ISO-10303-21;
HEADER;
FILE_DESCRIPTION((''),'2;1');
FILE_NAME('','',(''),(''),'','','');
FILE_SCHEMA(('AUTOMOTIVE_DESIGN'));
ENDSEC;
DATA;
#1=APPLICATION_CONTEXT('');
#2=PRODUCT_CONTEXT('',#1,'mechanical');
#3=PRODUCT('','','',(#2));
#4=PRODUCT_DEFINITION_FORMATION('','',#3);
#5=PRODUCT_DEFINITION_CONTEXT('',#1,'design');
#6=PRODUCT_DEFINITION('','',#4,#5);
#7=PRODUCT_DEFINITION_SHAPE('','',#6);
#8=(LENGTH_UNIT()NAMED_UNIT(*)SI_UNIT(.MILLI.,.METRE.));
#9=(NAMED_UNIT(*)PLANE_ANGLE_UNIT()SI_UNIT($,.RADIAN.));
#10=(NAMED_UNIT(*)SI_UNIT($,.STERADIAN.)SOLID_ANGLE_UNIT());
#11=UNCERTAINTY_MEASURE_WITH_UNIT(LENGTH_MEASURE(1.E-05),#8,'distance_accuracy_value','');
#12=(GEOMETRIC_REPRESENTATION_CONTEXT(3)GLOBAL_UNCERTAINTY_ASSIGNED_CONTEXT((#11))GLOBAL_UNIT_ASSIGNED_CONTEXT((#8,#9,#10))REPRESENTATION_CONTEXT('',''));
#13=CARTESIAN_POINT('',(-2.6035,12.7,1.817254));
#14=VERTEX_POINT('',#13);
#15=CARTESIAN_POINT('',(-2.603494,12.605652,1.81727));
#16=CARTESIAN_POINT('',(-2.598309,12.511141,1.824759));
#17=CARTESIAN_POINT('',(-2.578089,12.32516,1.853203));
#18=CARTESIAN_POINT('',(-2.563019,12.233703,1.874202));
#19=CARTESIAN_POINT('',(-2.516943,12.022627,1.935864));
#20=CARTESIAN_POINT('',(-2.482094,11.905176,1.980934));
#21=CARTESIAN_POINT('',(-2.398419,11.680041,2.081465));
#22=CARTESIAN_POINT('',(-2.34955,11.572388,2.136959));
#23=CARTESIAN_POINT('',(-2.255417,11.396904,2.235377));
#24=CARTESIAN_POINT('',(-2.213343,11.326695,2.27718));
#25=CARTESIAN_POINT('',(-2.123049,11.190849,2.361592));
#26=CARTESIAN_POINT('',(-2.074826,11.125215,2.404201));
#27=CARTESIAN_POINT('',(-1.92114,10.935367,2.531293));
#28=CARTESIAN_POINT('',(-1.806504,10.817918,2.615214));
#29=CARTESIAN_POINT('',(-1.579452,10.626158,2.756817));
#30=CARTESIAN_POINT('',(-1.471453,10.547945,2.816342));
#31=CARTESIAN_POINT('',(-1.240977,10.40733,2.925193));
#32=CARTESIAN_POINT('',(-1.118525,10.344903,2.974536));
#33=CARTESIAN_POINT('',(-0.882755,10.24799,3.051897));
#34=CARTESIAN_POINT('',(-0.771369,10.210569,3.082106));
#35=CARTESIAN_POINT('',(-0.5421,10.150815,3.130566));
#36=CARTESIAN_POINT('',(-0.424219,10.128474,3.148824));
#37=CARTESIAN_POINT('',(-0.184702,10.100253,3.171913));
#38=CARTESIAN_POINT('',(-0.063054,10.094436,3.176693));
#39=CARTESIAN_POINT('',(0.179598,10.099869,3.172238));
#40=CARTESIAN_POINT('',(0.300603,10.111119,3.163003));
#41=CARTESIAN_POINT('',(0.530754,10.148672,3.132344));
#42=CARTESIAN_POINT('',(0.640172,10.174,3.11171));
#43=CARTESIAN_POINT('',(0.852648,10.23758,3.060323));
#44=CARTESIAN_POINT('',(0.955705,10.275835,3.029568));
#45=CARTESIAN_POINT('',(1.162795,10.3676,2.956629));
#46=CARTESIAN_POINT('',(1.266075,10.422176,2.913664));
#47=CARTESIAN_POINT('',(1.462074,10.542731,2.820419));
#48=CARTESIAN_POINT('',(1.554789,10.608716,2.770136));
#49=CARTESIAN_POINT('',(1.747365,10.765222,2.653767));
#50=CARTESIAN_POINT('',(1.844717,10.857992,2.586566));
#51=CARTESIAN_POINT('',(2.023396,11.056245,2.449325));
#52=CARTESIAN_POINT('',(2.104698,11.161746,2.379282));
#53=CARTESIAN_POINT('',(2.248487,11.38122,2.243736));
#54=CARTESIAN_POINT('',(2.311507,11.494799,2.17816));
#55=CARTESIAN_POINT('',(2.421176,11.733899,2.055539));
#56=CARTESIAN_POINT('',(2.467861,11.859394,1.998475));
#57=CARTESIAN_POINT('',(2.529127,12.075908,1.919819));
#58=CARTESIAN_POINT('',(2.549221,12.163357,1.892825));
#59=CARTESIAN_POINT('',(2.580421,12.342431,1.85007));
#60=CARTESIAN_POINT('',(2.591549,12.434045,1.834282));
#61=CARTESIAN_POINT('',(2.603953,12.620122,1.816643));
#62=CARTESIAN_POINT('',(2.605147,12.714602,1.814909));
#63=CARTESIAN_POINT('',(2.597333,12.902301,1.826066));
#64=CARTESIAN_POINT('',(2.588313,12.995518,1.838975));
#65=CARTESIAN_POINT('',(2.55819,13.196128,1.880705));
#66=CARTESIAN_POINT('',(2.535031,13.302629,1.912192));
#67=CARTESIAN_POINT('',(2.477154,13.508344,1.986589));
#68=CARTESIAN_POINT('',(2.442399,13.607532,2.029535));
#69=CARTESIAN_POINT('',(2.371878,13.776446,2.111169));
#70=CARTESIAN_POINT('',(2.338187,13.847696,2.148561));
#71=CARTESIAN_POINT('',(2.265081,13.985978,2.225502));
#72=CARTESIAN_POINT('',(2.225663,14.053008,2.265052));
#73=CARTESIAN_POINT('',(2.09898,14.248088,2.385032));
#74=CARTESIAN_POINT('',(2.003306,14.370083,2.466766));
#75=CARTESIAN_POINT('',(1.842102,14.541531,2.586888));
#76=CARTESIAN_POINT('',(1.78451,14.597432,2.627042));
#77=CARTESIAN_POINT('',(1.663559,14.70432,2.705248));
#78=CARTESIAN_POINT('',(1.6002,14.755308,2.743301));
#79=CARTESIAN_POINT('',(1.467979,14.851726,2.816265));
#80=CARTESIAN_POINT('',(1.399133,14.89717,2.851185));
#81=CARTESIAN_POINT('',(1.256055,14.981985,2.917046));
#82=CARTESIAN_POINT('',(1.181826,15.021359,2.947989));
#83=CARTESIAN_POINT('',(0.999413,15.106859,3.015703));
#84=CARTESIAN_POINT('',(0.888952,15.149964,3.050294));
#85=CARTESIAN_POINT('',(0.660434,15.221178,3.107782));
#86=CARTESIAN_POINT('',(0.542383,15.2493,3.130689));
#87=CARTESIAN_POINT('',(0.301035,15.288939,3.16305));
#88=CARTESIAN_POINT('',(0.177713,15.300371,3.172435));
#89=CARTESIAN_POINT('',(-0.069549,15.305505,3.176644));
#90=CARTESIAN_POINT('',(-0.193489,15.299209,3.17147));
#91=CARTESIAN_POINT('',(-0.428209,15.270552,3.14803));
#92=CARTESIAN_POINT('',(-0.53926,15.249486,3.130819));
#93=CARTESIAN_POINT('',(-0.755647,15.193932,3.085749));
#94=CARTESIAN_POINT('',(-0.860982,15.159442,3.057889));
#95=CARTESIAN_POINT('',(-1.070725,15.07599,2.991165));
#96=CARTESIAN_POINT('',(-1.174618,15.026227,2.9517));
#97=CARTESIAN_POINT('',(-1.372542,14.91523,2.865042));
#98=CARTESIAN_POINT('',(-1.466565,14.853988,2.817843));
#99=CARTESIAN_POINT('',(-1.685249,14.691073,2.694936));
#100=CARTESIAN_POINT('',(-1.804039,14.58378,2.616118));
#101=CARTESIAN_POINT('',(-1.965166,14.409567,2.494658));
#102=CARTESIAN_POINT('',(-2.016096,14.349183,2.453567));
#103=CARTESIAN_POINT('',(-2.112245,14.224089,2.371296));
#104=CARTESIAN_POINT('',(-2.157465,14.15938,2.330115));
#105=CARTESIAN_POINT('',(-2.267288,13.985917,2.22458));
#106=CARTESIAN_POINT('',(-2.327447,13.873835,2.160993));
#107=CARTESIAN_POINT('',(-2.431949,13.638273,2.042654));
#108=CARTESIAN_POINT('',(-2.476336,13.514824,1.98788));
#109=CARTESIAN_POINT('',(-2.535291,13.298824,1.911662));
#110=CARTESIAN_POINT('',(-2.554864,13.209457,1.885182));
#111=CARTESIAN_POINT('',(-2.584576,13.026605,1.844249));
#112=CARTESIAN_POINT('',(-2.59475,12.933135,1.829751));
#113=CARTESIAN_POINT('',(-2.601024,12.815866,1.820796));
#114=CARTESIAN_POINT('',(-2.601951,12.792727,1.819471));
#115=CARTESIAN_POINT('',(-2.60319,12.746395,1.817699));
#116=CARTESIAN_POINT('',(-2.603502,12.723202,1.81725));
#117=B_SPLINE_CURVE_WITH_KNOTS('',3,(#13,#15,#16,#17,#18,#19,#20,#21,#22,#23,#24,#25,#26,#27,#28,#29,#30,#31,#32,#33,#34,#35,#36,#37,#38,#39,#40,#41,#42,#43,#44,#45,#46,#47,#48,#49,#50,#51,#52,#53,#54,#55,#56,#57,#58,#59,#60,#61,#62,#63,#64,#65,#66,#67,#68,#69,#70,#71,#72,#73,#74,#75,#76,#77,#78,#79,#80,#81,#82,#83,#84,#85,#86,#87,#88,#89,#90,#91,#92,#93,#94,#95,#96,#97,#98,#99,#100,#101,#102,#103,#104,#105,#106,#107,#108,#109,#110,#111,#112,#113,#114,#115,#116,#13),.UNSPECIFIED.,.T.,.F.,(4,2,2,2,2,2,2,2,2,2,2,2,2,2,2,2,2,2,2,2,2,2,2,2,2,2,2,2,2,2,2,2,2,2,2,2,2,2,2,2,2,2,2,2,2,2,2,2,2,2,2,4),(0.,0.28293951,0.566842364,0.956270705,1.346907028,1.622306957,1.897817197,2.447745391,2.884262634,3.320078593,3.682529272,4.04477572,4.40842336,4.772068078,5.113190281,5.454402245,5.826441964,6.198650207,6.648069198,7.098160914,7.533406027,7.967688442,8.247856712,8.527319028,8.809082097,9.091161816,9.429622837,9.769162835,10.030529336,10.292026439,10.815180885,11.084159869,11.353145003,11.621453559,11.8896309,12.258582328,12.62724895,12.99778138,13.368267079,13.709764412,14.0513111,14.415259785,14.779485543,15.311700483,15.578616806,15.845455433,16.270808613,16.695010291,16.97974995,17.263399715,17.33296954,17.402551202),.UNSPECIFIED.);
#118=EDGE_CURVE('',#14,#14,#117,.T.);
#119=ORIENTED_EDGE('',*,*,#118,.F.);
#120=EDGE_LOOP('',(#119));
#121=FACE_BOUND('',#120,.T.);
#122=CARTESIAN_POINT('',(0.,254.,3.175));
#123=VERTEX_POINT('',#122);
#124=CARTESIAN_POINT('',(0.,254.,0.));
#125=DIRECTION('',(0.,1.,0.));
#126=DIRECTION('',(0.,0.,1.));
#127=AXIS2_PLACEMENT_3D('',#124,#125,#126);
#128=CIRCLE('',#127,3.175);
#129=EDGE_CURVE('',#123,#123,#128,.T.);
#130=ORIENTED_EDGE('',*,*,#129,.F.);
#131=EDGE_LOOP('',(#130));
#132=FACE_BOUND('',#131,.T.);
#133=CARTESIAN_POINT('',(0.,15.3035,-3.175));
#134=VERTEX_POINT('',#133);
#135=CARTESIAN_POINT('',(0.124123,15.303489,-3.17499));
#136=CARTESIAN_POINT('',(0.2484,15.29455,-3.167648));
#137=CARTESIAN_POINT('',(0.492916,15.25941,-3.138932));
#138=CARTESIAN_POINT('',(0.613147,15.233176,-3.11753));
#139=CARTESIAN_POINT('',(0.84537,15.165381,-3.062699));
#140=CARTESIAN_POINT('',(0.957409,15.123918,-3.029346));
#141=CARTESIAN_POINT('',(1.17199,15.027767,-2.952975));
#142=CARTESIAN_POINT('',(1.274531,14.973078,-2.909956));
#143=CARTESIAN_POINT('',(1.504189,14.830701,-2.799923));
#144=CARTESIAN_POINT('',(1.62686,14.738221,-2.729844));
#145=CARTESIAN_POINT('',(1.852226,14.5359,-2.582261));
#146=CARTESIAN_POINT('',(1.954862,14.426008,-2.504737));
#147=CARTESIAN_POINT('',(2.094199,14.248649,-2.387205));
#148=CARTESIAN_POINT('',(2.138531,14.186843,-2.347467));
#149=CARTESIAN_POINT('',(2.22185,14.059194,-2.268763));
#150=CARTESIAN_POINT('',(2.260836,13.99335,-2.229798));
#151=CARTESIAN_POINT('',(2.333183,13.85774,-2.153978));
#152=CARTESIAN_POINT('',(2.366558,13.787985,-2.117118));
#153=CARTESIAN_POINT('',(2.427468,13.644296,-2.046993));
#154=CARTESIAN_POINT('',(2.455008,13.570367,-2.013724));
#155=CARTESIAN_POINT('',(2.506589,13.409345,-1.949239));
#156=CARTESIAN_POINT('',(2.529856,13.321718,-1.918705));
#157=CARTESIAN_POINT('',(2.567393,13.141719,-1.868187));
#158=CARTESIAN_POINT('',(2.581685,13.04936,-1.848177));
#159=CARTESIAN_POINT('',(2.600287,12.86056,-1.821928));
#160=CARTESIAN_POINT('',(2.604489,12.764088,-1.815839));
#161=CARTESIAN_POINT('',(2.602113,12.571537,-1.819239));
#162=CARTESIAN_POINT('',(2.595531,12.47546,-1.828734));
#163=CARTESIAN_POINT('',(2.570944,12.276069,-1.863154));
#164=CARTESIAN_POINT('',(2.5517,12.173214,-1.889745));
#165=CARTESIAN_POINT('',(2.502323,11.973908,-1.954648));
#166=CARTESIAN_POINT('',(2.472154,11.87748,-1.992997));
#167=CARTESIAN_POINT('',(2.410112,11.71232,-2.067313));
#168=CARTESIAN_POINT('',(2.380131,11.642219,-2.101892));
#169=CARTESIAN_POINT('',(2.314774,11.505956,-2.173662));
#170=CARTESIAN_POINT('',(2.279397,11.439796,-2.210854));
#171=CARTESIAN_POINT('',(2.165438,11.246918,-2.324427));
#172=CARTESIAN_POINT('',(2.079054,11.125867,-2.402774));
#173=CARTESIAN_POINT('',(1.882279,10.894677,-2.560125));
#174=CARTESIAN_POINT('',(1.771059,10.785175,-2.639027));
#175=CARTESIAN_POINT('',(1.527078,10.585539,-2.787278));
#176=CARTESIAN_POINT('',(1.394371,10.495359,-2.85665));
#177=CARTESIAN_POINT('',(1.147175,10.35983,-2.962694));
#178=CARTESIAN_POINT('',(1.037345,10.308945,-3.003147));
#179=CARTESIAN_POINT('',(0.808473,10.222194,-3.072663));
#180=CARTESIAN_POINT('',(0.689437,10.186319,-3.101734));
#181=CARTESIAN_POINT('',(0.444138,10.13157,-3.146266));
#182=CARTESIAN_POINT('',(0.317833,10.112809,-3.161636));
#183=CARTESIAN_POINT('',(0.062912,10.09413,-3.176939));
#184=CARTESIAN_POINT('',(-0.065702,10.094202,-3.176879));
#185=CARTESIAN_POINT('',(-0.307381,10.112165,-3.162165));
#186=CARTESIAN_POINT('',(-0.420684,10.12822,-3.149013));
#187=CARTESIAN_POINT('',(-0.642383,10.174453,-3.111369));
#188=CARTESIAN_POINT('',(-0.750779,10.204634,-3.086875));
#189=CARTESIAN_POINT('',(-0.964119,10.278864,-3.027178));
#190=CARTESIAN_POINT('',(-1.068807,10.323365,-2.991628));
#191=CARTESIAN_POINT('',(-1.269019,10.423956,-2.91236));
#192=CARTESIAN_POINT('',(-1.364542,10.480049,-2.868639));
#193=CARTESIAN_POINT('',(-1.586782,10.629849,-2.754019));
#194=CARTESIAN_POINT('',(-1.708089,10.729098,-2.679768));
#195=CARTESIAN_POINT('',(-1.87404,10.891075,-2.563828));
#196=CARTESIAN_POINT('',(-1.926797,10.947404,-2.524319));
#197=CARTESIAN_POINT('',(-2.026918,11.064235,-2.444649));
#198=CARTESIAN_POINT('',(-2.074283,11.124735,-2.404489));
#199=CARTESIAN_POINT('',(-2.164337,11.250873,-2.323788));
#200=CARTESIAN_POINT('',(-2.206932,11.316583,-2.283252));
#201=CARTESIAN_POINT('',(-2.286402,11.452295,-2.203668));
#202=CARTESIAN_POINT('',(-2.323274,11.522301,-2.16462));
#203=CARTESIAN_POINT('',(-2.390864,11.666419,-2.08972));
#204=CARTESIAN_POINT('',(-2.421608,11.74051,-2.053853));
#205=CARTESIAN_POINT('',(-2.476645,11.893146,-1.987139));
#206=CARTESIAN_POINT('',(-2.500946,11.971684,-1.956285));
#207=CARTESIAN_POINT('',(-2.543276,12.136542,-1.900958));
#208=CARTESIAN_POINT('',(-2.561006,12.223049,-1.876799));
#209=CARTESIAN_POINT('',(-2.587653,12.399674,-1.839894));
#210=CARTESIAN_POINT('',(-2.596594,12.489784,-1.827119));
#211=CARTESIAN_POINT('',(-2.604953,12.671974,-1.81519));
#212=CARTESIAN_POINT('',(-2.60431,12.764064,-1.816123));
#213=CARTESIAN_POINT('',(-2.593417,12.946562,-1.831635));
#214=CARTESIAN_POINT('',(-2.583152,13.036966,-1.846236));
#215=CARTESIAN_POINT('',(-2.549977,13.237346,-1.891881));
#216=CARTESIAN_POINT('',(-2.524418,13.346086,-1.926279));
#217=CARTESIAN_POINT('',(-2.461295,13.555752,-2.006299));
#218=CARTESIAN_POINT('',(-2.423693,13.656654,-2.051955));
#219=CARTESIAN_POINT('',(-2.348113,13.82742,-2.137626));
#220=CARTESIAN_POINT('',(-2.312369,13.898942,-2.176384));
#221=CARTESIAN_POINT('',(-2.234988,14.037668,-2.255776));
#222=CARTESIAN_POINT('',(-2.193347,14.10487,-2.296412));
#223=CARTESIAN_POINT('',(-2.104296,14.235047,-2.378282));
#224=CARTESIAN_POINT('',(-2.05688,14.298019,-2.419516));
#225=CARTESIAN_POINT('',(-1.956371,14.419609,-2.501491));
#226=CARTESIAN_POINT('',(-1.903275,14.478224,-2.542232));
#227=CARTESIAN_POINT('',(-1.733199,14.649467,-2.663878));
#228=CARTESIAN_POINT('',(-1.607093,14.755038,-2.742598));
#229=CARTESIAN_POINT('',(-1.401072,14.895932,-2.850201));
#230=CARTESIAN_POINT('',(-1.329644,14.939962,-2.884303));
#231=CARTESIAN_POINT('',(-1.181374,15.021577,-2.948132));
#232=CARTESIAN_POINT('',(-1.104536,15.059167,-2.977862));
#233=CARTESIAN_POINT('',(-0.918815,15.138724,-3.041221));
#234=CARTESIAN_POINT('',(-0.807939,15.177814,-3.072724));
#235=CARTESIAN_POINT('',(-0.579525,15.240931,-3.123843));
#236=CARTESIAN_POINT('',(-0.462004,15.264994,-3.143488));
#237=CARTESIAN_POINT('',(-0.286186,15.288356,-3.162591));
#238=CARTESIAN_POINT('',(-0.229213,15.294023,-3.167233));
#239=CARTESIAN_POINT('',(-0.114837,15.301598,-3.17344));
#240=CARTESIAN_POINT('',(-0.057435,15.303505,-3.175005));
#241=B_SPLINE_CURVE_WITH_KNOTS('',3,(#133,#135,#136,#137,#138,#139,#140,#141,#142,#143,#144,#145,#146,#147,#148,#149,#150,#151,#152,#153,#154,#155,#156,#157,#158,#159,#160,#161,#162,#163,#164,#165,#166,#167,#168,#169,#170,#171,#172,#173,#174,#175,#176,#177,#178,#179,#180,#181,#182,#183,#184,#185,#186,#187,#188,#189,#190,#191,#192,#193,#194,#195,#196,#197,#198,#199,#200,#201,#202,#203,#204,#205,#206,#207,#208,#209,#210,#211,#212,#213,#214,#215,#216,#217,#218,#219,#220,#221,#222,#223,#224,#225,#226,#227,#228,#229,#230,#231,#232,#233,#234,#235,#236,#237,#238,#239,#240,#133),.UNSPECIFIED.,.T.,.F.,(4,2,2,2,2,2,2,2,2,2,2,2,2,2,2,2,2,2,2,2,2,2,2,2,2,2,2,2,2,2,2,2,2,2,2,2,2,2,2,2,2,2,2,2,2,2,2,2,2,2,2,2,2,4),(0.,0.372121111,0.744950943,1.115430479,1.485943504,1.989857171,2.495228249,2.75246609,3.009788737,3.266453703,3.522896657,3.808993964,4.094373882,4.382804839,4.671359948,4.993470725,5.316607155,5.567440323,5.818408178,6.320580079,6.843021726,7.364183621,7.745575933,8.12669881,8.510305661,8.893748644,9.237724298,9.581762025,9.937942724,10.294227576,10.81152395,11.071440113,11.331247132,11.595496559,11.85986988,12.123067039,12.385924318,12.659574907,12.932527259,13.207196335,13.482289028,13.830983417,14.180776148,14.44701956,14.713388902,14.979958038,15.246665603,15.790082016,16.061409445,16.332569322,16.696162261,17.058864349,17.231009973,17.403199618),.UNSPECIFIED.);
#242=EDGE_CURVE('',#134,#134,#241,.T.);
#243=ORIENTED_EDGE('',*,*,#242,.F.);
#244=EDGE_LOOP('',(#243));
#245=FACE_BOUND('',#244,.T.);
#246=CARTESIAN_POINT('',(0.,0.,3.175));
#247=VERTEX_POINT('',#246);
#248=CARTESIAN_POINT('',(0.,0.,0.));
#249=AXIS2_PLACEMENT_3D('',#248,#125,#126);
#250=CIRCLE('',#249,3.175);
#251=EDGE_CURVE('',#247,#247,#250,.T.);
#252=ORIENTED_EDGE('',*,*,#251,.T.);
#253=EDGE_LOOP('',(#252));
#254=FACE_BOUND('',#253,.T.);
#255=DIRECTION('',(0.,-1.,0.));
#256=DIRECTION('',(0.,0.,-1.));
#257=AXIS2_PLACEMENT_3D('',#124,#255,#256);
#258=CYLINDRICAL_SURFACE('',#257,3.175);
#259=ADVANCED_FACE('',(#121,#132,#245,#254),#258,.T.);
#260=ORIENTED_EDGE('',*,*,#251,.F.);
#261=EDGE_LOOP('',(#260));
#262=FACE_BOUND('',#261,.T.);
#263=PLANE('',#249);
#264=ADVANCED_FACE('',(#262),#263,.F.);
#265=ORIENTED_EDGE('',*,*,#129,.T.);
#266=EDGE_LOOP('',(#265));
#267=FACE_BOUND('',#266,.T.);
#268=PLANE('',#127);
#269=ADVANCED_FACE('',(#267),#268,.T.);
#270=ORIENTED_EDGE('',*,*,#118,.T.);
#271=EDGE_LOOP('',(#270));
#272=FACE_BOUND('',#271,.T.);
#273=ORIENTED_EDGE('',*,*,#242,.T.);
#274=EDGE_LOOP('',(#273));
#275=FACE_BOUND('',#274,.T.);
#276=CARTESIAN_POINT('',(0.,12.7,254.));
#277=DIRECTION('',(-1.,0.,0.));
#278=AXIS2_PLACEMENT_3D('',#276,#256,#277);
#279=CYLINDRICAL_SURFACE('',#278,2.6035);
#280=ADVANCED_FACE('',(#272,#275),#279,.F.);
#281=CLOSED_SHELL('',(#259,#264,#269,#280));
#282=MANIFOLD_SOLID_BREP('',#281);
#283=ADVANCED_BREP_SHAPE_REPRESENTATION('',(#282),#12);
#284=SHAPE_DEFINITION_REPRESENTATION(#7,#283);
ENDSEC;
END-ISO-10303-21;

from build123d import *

# Parameters (mm, degrees)
SKETCH1_R               = 3.175
BOSS_EXTRUDE1_DEPTH     = 254
CUT_EXTRUDE1_DEPTH      = 254
CUT_EXTRUDE1_DEPTH_BACK = 254
SKETCH2_R               = 2.6035


with BuildPart() as part:
    # Sketch1 → Boss-Extrude1 (new body)
    with BuildSketch(Plane(origin=(0, 0, 0), x_dir=(1, 0, 0), z_dir=(0, 1, 0))):
        Circle(SKETCH1_R)
    extrude(amount=BOSS_EXTRUDE1_DEPTH)

    # Sketch2 → Cut-Extrude1 (cut, two sides: drawn at the far end of the back side and taken through both)
    with BuildSketch(Plane.XY.offset(-CUT_EXTRUDE1_DEPTH_BACK)):
        with Locations((0, 12.7)):
            Circle(SKETCH2_R)
    extrude(amount=CUT_EXTRUDE1_DEPTH + CUT_EXTRUDE1_DEPTH_BACK, mode=Mode.SUBTRACT)


solid = part.part
